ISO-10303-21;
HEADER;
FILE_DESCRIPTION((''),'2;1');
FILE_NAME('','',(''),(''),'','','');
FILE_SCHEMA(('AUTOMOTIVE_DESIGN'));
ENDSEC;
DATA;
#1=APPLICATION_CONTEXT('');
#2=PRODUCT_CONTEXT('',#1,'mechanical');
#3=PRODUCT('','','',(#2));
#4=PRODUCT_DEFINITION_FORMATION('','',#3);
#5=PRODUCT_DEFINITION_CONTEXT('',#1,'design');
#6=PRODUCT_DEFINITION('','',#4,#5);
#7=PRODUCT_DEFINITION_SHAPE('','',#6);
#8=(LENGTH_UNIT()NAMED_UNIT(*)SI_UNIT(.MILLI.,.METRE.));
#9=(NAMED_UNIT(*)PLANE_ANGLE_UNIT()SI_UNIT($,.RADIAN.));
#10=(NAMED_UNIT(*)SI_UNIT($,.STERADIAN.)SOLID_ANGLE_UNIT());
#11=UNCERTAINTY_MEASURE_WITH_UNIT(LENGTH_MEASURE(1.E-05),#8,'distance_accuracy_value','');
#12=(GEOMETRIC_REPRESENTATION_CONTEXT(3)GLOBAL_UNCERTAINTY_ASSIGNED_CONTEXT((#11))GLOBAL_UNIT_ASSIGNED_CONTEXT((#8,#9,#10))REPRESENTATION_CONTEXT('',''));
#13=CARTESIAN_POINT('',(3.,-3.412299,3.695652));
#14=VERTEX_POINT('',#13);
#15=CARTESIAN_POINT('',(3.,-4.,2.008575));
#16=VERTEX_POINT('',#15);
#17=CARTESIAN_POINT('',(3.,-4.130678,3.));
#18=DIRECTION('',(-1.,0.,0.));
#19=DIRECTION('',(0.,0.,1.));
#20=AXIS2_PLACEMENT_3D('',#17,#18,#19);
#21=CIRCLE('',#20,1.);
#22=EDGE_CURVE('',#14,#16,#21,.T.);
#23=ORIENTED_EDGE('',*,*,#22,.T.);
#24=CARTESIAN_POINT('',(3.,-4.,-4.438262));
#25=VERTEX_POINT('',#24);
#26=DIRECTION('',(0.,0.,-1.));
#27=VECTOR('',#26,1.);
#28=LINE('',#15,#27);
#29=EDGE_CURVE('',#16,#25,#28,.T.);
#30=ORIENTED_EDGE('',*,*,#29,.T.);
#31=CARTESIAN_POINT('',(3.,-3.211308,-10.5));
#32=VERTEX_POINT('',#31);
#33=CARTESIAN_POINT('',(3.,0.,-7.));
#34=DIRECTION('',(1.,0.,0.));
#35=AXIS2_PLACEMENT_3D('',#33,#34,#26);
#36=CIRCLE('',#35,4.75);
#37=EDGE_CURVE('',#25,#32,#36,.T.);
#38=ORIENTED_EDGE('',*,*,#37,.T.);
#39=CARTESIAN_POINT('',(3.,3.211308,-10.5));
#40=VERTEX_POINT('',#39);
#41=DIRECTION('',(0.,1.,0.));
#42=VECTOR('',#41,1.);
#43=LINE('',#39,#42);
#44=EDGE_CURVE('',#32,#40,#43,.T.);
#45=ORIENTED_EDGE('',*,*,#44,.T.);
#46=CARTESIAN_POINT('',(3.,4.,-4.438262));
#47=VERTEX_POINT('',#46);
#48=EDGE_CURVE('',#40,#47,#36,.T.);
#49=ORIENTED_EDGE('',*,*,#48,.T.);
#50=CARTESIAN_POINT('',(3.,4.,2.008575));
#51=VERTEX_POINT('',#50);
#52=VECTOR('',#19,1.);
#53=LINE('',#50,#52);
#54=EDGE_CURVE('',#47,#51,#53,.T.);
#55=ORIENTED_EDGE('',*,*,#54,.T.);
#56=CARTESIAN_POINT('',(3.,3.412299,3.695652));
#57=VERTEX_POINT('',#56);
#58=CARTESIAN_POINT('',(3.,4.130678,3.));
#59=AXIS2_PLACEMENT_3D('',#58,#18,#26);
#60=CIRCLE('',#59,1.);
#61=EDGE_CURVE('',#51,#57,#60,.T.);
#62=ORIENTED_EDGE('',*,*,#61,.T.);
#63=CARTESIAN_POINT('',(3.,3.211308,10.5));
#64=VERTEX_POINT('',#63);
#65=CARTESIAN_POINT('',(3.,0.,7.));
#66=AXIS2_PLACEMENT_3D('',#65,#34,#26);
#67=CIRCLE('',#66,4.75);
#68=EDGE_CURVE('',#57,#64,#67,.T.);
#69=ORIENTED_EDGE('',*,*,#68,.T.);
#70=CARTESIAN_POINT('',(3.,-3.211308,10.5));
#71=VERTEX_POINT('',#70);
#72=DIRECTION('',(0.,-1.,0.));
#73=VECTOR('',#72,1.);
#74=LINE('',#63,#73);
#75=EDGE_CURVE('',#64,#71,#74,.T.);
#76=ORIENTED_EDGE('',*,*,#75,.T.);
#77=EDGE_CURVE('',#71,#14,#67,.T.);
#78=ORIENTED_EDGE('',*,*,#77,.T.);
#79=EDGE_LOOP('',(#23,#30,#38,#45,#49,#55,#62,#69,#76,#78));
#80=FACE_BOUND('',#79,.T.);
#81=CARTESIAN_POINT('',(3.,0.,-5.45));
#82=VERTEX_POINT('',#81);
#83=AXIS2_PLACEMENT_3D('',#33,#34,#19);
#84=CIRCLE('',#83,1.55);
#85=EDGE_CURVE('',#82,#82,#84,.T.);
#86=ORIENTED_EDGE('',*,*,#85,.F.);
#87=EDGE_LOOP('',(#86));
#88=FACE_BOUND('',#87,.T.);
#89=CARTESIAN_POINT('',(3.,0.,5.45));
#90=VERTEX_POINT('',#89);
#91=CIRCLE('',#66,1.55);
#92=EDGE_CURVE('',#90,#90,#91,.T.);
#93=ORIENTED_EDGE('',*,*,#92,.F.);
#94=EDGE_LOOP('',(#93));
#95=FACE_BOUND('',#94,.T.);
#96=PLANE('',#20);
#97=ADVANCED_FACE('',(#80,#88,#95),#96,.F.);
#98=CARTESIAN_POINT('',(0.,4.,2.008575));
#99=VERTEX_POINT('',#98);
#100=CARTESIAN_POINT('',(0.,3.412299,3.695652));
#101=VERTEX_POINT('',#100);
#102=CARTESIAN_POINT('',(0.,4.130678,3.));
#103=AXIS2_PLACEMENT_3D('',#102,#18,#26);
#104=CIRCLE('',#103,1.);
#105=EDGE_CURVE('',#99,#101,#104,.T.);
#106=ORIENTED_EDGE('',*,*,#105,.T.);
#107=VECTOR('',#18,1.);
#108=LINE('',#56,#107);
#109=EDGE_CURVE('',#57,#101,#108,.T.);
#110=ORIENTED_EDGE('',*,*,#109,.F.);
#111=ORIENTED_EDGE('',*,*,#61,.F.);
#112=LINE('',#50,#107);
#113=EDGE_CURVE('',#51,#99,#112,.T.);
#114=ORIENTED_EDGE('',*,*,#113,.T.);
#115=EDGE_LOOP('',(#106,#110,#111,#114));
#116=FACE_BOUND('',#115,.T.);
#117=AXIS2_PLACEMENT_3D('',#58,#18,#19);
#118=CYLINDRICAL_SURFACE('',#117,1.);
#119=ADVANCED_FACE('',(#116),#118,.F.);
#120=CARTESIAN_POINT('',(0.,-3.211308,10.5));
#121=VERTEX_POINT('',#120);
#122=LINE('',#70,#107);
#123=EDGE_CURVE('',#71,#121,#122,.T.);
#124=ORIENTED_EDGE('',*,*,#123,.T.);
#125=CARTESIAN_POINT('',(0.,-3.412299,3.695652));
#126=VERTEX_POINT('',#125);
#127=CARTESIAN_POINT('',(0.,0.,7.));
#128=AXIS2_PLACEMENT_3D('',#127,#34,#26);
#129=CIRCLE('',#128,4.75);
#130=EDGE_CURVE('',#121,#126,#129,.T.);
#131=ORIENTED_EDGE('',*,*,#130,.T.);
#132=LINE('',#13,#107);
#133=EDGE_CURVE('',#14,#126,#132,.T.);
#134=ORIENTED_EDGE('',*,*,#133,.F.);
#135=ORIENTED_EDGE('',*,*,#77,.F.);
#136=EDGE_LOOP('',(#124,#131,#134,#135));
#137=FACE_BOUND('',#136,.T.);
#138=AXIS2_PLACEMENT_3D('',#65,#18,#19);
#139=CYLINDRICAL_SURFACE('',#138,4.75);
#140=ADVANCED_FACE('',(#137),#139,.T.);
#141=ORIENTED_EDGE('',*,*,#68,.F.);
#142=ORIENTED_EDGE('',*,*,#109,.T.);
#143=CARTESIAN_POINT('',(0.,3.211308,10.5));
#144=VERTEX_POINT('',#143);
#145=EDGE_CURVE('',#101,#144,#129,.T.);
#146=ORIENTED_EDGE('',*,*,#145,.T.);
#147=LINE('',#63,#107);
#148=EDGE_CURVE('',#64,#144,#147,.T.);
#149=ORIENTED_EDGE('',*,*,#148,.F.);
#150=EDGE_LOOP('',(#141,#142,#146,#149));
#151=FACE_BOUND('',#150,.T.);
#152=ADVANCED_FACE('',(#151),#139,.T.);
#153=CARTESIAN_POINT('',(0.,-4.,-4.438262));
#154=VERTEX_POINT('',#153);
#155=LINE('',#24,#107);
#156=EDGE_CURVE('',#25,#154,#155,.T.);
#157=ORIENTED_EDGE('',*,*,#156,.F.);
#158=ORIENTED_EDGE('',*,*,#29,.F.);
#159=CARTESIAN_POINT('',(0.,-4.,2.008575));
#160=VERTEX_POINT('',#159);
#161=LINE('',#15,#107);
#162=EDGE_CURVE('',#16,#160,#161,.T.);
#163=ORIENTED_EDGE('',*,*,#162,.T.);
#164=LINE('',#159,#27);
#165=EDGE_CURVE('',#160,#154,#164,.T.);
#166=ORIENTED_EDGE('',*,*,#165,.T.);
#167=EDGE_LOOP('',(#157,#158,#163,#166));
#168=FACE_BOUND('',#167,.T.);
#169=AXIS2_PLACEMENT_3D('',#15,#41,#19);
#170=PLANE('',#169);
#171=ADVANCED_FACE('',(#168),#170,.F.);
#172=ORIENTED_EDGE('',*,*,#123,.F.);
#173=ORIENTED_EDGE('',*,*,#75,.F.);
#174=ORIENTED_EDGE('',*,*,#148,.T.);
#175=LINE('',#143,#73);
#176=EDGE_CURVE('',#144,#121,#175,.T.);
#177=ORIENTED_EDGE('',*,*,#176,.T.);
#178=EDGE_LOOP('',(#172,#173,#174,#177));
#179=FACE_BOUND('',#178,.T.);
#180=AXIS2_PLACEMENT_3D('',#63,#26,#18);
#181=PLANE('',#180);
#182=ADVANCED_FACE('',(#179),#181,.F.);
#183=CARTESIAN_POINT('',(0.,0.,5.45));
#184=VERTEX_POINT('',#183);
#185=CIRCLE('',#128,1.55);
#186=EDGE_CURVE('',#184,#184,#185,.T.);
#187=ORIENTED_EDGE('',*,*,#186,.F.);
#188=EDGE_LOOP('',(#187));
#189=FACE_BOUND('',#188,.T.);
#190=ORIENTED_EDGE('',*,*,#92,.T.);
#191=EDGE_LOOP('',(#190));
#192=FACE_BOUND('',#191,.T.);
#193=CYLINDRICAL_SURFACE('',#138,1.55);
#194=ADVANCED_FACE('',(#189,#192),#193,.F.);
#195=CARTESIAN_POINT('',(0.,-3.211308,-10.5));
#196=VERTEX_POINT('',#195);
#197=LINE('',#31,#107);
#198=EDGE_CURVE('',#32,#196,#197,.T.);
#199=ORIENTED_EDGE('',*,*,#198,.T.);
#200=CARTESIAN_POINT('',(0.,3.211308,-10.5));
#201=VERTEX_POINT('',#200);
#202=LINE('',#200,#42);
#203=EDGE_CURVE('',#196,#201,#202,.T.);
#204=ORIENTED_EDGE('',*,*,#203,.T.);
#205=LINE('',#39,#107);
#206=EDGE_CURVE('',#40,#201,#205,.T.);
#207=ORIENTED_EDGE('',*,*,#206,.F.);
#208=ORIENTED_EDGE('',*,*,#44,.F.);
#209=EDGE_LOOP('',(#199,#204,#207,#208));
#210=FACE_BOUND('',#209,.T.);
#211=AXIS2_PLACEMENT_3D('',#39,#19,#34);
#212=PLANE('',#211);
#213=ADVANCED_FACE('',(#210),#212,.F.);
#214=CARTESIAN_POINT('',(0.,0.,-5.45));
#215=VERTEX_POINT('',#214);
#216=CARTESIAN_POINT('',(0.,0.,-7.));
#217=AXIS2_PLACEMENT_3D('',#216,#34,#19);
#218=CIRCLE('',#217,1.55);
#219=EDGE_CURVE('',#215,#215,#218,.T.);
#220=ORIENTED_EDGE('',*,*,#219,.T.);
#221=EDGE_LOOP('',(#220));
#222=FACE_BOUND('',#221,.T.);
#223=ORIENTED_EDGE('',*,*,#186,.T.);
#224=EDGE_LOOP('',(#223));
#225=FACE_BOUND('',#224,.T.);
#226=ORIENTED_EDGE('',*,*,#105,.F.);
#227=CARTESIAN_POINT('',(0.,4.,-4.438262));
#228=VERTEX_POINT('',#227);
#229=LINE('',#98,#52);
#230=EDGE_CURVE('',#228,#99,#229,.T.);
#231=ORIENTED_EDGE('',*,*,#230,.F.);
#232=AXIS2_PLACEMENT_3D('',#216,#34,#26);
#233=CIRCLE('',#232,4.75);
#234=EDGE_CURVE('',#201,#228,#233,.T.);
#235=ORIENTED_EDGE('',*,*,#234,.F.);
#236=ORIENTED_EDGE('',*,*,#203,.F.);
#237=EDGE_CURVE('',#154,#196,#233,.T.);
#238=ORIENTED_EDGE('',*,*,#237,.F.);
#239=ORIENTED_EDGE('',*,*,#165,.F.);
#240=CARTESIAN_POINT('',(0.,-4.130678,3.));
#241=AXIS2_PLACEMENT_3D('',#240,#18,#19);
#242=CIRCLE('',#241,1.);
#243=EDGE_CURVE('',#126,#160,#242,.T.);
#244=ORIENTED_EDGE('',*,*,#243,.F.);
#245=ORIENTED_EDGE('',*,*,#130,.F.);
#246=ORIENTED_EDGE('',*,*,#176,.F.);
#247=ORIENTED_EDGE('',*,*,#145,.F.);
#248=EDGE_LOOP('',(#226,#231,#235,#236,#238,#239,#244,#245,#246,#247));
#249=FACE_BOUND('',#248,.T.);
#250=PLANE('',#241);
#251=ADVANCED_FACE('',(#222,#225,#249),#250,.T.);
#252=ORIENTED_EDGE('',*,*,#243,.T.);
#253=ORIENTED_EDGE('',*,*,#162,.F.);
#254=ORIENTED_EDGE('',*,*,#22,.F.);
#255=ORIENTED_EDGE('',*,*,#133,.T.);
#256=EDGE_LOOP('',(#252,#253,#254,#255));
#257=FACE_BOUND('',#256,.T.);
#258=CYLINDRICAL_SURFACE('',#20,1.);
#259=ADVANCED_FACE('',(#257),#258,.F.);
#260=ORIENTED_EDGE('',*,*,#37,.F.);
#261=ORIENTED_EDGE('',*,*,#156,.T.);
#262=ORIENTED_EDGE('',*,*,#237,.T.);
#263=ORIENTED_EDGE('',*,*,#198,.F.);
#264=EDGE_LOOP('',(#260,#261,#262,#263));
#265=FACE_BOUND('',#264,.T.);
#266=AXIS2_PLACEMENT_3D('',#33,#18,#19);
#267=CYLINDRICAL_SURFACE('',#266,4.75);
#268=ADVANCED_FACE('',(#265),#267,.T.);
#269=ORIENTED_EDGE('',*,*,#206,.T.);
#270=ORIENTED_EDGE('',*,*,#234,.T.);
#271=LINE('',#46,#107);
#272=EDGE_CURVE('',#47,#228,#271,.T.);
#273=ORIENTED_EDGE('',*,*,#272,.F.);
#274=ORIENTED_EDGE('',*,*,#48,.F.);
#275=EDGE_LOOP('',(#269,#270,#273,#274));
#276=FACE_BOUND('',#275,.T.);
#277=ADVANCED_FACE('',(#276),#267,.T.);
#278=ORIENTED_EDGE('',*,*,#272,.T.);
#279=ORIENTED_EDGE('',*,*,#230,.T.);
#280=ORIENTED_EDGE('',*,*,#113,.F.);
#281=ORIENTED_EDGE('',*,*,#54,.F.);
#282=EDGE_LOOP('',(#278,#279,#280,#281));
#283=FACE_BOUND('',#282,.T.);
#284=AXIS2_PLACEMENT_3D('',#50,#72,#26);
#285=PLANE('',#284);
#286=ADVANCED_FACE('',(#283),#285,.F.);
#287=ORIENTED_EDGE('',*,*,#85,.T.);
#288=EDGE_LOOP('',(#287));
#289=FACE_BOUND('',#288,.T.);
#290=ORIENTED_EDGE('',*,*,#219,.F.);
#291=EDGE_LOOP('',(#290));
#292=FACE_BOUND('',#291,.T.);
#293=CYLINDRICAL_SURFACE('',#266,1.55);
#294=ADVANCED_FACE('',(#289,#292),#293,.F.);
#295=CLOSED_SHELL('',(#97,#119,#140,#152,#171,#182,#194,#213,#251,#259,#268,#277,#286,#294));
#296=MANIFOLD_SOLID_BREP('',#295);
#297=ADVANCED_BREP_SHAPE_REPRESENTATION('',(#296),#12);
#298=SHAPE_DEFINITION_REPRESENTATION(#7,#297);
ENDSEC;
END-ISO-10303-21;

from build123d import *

# Parameters (mm, degrees)
SKETCH_1_R      = 1.55
EXTRUDE_1_DEPTH = 3


with BuildPart() as part:
    # 草图1 → 凸台-拉伸1 (new body)
    with BuildSketch(Plane(origin=(0, 0, 0), x_dir=(0, 0, -1), z_dir=(1, 0, 0))):
        with BuildLine():
            Line((-2.008575125, 4), (4.438262309, 4))
            ThreePointArc((4.438262309, 4), (7.612856223, 4.710298), (10.5, 3.211308145))
            Line((10.5, 3.211308145), (10.5, -3.211308145))
            ThreePointArc((10.5, -3.211308145), (7.612856223, -4.710298), (4.438262309, -4))
            Line((4.438262309, -4), (-2.008575125, -4))
            ThreePointArc((-2.008575125, -4), (-2.671034277, -3.186336048), (-3.695652174, -3.412299143))
            ThreePointArc((-3.695652174, -3.412299143), (-7.140247241, -4.747929097), (-10.5, -3.211308145))
            Line((-10.5, -3.211308145), (-10.5, 3.211308145))
            ThreePointArc((-10.5, 3.211308145), (-7.140247241, 4.747929097), (-3.695652174, 3.412299143))
            ThreePointArc((-3.695652174, 3.412299143), (-2.671034277, 3.186336048), (-2.008575125, 4))
        make_face()
        with Locations((-7, 0)):
            Circle(SKETCH_1_R, mode=Mode.SUBTRACT)
        with Locations(Location((7, 0, 0), (0, 0, 180))):
            Circle(SKETCH_1_R, mode=Mode.SUBTRACT)
    extrude(amount=EXTRUDE_1_DEPTH)


solid = part.part
